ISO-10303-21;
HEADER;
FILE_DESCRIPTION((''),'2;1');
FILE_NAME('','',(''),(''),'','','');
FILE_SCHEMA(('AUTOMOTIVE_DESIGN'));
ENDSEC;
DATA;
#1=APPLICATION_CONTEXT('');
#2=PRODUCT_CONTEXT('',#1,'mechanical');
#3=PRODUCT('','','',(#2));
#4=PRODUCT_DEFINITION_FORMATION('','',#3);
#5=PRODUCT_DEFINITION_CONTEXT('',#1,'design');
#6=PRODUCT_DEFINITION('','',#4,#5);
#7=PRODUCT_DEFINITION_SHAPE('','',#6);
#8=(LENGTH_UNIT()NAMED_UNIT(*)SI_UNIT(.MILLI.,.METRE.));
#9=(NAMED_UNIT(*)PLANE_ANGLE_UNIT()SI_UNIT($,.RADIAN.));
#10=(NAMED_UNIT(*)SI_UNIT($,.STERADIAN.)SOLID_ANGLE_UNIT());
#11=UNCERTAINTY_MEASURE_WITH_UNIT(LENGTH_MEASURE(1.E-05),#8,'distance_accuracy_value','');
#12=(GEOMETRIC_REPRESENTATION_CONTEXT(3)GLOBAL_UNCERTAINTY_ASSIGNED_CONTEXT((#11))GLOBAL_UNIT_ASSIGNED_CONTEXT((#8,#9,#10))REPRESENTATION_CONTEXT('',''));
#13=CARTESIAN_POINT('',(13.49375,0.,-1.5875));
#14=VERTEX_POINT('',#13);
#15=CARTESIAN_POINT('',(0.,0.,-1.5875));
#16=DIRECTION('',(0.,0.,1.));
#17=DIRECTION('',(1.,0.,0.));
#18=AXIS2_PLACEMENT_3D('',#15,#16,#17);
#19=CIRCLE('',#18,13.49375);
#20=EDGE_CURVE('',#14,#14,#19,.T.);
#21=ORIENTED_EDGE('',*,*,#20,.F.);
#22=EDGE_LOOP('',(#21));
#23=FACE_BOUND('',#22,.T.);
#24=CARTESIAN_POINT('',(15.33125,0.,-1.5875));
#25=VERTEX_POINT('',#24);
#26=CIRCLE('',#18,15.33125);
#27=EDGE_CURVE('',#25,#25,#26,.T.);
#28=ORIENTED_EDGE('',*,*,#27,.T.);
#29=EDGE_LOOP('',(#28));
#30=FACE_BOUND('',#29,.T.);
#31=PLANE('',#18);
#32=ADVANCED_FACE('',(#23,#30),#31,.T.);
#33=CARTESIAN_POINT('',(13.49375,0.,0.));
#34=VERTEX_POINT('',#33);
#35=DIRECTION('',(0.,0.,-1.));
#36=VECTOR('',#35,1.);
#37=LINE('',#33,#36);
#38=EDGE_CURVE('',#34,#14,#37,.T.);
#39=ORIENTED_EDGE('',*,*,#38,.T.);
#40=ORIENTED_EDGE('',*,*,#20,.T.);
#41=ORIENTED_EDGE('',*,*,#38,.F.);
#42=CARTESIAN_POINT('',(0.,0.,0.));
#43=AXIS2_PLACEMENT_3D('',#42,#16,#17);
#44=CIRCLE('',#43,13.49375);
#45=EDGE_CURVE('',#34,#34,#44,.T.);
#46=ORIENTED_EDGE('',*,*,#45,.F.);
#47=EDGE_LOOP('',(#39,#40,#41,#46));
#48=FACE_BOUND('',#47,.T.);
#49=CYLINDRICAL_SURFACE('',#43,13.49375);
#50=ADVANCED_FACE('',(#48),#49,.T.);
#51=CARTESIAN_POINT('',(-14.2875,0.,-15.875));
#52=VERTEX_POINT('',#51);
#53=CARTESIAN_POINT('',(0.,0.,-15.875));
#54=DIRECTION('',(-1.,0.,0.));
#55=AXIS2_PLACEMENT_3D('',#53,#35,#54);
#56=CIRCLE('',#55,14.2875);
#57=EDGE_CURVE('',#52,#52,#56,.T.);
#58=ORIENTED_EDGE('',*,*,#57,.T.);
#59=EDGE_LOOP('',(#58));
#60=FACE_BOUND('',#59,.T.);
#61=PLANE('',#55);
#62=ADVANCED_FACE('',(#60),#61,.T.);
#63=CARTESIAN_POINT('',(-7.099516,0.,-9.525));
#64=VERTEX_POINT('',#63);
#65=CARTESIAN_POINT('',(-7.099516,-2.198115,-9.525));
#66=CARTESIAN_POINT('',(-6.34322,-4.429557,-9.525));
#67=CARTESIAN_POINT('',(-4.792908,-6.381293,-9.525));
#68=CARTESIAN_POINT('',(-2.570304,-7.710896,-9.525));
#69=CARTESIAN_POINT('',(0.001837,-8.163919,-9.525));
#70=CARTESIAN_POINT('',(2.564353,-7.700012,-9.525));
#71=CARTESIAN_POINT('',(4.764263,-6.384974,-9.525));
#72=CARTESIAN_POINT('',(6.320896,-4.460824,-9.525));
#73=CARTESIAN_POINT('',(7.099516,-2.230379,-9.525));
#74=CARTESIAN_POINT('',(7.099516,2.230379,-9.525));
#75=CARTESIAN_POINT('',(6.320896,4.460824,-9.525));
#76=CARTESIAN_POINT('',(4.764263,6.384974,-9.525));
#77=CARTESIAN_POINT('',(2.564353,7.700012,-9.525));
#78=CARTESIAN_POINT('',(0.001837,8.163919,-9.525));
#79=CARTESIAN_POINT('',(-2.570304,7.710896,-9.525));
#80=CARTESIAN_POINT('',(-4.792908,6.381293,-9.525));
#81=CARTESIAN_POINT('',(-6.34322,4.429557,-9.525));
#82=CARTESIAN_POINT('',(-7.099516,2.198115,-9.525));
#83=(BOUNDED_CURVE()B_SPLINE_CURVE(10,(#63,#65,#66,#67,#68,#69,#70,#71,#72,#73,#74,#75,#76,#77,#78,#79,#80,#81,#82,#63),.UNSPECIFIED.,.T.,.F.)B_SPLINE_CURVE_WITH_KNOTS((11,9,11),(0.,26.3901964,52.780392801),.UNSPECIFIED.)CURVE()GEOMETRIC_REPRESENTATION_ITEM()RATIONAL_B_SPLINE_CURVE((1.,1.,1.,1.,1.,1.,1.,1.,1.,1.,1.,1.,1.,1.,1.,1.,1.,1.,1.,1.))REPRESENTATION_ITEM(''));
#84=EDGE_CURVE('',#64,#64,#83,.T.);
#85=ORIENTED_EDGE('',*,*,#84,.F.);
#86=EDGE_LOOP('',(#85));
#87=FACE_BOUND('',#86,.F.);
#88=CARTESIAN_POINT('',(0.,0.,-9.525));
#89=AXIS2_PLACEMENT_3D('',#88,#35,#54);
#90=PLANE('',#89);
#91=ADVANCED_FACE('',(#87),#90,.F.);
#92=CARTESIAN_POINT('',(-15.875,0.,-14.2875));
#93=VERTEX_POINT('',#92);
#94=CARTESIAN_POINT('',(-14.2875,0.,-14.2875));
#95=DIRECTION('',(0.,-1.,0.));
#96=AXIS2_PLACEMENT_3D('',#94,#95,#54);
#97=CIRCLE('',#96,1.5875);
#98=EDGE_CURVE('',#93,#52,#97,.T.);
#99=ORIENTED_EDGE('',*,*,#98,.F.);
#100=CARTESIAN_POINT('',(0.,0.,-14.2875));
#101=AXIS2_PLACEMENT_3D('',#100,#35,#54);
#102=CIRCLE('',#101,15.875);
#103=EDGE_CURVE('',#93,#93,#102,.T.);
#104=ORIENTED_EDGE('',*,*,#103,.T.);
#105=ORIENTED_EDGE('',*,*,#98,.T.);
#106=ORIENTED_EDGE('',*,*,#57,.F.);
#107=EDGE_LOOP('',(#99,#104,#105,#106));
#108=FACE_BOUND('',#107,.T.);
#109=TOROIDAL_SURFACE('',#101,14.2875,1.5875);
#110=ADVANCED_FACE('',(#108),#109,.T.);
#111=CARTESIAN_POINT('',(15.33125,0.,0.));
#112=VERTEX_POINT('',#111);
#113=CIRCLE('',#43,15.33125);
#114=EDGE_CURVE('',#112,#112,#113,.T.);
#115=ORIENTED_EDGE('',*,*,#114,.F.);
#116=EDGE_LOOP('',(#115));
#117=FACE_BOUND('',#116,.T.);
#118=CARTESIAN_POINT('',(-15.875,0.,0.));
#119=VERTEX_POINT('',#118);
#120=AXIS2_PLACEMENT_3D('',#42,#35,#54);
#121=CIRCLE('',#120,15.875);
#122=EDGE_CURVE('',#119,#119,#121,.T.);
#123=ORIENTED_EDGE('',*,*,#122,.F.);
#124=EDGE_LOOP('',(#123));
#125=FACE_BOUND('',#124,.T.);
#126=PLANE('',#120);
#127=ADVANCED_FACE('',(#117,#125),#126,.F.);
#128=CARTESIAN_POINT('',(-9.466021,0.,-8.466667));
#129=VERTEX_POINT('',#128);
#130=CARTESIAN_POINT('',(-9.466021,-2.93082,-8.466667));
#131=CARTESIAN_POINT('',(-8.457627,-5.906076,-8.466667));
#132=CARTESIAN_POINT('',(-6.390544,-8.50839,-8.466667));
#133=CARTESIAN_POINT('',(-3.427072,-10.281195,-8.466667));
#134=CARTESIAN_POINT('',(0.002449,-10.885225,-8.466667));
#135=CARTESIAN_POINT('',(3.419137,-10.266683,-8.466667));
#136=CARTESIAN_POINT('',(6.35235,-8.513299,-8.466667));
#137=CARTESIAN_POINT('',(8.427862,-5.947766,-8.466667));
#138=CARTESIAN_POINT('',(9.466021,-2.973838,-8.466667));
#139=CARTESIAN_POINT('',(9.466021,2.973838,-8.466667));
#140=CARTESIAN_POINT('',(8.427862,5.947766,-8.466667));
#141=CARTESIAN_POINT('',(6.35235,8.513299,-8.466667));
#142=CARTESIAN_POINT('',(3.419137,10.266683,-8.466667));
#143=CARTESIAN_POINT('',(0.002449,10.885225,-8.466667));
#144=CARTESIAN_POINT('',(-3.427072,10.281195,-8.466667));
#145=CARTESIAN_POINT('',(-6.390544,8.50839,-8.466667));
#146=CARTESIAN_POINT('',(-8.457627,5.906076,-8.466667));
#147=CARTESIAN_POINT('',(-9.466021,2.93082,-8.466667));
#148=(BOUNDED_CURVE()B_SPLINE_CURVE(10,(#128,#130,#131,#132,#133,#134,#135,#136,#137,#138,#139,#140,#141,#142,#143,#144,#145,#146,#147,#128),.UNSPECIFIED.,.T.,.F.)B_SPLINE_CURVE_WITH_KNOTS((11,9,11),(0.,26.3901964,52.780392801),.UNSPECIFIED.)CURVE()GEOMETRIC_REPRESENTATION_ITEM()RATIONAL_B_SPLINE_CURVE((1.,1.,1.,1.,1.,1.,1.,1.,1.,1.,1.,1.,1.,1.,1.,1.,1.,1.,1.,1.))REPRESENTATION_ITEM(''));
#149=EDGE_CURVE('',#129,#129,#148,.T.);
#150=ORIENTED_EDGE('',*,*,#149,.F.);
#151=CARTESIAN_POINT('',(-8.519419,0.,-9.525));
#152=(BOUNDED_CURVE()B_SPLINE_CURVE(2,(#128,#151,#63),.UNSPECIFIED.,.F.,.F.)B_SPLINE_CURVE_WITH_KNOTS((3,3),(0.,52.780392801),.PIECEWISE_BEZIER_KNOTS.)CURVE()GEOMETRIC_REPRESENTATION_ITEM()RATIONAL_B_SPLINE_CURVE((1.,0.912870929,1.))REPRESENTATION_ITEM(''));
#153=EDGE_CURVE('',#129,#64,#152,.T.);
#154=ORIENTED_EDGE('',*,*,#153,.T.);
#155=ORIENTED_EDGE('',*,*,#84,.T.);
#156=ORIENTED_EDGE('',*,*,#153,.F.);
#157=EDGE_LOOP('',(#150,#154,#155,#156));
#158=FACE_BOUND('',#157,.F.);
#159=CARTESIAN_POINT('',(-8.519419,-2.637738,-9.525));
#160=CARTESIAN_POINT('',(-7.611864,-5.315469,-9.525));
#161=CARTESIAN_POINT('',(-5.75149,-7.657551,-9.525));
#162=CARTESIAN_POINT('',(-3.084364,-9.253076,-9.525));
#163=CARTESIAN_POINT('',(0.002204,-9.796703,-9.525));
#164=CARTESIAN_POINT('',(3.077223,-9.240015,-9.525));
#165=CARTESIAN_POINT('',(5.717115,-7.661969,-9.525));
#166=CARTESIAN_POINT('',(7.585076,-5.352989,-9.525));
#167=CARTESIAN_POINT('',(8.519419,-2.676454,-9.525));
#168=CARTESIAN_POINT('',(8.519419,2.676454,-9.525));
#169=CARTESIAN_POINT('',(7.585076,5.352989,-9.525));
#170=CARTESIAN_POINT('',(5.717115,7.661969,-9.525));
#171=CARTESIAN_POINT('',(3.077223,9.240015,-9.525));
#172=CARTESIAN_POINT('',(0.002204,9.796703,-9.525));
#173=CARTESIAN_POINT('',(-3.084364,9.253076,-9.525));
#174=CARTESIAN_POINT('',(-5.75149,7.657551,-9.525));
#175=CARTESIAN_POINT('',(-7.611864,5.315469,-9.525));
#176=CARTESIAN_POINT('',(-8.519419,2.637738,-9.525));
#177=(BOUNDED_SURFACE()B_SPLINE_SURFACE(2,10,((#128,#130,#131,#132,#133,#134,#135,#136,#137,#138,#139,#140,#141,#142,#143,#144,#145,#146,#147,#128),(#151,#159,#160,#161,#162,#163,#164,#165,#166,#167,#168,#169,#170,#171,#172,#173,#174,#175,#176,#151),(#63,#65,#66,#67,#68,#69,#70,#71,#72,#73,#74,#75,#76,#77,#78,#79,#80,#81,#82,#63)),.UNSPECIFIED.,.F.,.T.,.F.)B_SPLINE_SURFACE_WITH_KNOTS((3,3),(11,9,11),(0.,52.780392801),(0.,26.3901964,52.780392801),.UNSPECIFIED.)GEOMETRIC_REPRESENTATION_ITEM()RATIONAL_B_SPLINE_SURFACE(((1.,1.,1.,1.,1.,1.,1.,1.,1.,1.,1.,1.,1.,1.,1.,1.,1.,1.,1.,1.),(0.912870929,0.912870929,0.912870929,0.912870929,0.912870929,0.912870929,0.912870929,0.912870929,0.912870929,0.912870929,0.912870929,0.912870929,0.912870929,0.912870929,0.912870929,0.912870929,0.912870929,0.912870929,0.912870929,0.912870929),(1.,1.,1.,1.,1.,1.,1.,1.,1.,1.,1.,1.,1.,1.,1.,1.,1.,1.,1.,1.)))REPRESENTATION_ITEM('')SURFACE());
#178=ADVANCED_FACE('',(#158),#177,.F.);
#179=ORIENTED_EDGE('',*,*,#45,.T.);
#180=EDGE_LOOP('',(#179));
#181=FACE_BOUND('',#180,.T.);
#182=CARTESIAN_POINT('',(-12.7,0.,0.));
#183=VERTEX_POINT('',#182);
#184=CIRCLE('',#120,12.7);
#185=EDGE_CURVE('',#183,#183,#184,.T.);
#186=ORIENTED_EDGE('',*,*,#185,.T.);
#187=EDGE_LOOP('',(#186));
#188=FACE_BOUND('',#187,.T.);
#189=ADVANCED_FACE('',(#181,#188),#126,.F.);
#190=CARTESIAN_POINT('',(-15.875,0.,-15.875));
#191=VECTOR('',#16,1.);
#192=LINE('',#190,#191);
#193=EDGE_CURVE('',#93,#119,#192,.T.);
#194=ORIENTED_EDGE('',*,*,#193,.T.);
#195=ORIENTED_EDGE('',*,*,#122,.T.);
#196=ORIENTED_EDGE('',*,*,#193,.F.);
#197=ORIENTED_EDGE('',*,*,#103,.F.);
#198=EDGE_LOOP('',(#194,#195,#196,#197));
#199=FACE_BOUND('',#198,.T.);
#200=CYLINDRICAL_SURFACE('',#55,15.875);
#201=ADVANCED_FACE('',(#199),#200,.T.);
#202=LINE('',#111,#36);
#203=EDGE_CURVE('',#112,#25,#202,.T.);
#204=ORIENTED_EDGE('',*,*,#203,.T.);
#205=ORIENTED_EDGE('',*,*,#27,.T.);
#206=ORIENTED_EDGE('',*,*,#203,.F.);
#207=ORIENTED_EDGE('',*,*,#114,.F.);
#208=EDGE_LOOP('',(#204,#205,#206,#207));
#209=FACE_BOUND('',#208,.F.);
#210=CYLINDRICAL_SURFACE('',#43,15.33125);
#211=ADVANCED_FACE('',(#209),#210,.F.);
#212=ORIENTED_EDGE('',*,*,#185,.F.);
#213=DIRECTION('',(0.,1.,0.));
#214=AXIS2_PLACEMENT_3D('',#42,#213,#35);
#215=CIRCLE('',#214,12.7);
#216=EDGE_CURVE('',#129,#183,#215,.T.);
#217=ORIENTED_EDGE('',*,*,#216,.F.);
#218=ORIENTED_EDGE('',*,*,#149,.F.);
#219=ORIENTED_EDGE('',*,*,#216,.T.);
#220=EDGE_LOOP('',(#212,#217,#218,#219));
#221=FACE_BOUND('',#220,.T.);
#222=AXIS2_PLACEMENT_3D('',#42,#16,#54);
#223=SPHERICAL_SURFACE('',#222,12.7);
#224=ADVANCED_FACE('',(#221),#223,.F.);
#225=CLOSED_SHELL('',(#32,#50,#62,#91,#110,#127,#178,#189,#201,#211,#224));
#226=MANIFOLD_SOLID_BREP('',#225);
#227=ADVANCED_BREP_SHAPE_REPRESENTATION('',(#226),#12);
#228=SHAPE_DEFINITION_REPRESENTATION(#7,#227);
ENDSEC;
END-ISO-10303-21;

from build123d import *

# Parameters (mm, degrees)
F2_DEPTH = 6.35
F3_R     = 3.175
F4_R     = 15.33125
F4_R_2   = 13.49375
F5_DEPTH = 1.5875
F6_R     = 1.5875


with BuildPart() as f1:
    # F0 (on Front) → F1 (revolve)
    with BuildSketch(Plane.XZ):
        with BuildLine():
            Line((0, -15.875), (0, -12.7))
            ThreePointArc((0, -12.7), (-8.9802561211, -8.9802561211), (-12.7, 0))
            Line((-12.7, 0), (-15.875, 0))
            Line((-15.875, 0), (-15.875, -15.875))
            Line((-15.875, -15.875), (0, -15.875))
        make_face()
    revolve(axis=Axis((0, 0, -1.4379415661), (0, 0, -1)))

    # F2 (add): a face of the model
    f2_faces = [f1.faces().sort_by_distance(p)[0] for p in [
        (0, 0, -15.875),
    ]]
    extrude(f2_faces, amount=-F2_DEPTH)

    # F3
    f3_edges = [f1.edges().sort_by_distance(p)[0] for p in [
        (8.40026, 0, -9.525),
    ]]
    fillet(f3_edges, radius=F3_R)

    # F4 (on face) → F5 (cut)
    with BuildSketch(Plane.XY):
        Circle(F4_R)
        Circle(F4_R_2, mode=Mode.SUBTRACT)
    extrude(amount=-F5_DEPTH, mode=Mode.SUBTRACT)

    # F6
    f6_edges = [f1.edges().sort_by_distance(p)[0] for p in [
        (15.875, 0, -15.875),
    ]]
    fillet(f6_edges, radius=F6_R)


solid = f1.part
